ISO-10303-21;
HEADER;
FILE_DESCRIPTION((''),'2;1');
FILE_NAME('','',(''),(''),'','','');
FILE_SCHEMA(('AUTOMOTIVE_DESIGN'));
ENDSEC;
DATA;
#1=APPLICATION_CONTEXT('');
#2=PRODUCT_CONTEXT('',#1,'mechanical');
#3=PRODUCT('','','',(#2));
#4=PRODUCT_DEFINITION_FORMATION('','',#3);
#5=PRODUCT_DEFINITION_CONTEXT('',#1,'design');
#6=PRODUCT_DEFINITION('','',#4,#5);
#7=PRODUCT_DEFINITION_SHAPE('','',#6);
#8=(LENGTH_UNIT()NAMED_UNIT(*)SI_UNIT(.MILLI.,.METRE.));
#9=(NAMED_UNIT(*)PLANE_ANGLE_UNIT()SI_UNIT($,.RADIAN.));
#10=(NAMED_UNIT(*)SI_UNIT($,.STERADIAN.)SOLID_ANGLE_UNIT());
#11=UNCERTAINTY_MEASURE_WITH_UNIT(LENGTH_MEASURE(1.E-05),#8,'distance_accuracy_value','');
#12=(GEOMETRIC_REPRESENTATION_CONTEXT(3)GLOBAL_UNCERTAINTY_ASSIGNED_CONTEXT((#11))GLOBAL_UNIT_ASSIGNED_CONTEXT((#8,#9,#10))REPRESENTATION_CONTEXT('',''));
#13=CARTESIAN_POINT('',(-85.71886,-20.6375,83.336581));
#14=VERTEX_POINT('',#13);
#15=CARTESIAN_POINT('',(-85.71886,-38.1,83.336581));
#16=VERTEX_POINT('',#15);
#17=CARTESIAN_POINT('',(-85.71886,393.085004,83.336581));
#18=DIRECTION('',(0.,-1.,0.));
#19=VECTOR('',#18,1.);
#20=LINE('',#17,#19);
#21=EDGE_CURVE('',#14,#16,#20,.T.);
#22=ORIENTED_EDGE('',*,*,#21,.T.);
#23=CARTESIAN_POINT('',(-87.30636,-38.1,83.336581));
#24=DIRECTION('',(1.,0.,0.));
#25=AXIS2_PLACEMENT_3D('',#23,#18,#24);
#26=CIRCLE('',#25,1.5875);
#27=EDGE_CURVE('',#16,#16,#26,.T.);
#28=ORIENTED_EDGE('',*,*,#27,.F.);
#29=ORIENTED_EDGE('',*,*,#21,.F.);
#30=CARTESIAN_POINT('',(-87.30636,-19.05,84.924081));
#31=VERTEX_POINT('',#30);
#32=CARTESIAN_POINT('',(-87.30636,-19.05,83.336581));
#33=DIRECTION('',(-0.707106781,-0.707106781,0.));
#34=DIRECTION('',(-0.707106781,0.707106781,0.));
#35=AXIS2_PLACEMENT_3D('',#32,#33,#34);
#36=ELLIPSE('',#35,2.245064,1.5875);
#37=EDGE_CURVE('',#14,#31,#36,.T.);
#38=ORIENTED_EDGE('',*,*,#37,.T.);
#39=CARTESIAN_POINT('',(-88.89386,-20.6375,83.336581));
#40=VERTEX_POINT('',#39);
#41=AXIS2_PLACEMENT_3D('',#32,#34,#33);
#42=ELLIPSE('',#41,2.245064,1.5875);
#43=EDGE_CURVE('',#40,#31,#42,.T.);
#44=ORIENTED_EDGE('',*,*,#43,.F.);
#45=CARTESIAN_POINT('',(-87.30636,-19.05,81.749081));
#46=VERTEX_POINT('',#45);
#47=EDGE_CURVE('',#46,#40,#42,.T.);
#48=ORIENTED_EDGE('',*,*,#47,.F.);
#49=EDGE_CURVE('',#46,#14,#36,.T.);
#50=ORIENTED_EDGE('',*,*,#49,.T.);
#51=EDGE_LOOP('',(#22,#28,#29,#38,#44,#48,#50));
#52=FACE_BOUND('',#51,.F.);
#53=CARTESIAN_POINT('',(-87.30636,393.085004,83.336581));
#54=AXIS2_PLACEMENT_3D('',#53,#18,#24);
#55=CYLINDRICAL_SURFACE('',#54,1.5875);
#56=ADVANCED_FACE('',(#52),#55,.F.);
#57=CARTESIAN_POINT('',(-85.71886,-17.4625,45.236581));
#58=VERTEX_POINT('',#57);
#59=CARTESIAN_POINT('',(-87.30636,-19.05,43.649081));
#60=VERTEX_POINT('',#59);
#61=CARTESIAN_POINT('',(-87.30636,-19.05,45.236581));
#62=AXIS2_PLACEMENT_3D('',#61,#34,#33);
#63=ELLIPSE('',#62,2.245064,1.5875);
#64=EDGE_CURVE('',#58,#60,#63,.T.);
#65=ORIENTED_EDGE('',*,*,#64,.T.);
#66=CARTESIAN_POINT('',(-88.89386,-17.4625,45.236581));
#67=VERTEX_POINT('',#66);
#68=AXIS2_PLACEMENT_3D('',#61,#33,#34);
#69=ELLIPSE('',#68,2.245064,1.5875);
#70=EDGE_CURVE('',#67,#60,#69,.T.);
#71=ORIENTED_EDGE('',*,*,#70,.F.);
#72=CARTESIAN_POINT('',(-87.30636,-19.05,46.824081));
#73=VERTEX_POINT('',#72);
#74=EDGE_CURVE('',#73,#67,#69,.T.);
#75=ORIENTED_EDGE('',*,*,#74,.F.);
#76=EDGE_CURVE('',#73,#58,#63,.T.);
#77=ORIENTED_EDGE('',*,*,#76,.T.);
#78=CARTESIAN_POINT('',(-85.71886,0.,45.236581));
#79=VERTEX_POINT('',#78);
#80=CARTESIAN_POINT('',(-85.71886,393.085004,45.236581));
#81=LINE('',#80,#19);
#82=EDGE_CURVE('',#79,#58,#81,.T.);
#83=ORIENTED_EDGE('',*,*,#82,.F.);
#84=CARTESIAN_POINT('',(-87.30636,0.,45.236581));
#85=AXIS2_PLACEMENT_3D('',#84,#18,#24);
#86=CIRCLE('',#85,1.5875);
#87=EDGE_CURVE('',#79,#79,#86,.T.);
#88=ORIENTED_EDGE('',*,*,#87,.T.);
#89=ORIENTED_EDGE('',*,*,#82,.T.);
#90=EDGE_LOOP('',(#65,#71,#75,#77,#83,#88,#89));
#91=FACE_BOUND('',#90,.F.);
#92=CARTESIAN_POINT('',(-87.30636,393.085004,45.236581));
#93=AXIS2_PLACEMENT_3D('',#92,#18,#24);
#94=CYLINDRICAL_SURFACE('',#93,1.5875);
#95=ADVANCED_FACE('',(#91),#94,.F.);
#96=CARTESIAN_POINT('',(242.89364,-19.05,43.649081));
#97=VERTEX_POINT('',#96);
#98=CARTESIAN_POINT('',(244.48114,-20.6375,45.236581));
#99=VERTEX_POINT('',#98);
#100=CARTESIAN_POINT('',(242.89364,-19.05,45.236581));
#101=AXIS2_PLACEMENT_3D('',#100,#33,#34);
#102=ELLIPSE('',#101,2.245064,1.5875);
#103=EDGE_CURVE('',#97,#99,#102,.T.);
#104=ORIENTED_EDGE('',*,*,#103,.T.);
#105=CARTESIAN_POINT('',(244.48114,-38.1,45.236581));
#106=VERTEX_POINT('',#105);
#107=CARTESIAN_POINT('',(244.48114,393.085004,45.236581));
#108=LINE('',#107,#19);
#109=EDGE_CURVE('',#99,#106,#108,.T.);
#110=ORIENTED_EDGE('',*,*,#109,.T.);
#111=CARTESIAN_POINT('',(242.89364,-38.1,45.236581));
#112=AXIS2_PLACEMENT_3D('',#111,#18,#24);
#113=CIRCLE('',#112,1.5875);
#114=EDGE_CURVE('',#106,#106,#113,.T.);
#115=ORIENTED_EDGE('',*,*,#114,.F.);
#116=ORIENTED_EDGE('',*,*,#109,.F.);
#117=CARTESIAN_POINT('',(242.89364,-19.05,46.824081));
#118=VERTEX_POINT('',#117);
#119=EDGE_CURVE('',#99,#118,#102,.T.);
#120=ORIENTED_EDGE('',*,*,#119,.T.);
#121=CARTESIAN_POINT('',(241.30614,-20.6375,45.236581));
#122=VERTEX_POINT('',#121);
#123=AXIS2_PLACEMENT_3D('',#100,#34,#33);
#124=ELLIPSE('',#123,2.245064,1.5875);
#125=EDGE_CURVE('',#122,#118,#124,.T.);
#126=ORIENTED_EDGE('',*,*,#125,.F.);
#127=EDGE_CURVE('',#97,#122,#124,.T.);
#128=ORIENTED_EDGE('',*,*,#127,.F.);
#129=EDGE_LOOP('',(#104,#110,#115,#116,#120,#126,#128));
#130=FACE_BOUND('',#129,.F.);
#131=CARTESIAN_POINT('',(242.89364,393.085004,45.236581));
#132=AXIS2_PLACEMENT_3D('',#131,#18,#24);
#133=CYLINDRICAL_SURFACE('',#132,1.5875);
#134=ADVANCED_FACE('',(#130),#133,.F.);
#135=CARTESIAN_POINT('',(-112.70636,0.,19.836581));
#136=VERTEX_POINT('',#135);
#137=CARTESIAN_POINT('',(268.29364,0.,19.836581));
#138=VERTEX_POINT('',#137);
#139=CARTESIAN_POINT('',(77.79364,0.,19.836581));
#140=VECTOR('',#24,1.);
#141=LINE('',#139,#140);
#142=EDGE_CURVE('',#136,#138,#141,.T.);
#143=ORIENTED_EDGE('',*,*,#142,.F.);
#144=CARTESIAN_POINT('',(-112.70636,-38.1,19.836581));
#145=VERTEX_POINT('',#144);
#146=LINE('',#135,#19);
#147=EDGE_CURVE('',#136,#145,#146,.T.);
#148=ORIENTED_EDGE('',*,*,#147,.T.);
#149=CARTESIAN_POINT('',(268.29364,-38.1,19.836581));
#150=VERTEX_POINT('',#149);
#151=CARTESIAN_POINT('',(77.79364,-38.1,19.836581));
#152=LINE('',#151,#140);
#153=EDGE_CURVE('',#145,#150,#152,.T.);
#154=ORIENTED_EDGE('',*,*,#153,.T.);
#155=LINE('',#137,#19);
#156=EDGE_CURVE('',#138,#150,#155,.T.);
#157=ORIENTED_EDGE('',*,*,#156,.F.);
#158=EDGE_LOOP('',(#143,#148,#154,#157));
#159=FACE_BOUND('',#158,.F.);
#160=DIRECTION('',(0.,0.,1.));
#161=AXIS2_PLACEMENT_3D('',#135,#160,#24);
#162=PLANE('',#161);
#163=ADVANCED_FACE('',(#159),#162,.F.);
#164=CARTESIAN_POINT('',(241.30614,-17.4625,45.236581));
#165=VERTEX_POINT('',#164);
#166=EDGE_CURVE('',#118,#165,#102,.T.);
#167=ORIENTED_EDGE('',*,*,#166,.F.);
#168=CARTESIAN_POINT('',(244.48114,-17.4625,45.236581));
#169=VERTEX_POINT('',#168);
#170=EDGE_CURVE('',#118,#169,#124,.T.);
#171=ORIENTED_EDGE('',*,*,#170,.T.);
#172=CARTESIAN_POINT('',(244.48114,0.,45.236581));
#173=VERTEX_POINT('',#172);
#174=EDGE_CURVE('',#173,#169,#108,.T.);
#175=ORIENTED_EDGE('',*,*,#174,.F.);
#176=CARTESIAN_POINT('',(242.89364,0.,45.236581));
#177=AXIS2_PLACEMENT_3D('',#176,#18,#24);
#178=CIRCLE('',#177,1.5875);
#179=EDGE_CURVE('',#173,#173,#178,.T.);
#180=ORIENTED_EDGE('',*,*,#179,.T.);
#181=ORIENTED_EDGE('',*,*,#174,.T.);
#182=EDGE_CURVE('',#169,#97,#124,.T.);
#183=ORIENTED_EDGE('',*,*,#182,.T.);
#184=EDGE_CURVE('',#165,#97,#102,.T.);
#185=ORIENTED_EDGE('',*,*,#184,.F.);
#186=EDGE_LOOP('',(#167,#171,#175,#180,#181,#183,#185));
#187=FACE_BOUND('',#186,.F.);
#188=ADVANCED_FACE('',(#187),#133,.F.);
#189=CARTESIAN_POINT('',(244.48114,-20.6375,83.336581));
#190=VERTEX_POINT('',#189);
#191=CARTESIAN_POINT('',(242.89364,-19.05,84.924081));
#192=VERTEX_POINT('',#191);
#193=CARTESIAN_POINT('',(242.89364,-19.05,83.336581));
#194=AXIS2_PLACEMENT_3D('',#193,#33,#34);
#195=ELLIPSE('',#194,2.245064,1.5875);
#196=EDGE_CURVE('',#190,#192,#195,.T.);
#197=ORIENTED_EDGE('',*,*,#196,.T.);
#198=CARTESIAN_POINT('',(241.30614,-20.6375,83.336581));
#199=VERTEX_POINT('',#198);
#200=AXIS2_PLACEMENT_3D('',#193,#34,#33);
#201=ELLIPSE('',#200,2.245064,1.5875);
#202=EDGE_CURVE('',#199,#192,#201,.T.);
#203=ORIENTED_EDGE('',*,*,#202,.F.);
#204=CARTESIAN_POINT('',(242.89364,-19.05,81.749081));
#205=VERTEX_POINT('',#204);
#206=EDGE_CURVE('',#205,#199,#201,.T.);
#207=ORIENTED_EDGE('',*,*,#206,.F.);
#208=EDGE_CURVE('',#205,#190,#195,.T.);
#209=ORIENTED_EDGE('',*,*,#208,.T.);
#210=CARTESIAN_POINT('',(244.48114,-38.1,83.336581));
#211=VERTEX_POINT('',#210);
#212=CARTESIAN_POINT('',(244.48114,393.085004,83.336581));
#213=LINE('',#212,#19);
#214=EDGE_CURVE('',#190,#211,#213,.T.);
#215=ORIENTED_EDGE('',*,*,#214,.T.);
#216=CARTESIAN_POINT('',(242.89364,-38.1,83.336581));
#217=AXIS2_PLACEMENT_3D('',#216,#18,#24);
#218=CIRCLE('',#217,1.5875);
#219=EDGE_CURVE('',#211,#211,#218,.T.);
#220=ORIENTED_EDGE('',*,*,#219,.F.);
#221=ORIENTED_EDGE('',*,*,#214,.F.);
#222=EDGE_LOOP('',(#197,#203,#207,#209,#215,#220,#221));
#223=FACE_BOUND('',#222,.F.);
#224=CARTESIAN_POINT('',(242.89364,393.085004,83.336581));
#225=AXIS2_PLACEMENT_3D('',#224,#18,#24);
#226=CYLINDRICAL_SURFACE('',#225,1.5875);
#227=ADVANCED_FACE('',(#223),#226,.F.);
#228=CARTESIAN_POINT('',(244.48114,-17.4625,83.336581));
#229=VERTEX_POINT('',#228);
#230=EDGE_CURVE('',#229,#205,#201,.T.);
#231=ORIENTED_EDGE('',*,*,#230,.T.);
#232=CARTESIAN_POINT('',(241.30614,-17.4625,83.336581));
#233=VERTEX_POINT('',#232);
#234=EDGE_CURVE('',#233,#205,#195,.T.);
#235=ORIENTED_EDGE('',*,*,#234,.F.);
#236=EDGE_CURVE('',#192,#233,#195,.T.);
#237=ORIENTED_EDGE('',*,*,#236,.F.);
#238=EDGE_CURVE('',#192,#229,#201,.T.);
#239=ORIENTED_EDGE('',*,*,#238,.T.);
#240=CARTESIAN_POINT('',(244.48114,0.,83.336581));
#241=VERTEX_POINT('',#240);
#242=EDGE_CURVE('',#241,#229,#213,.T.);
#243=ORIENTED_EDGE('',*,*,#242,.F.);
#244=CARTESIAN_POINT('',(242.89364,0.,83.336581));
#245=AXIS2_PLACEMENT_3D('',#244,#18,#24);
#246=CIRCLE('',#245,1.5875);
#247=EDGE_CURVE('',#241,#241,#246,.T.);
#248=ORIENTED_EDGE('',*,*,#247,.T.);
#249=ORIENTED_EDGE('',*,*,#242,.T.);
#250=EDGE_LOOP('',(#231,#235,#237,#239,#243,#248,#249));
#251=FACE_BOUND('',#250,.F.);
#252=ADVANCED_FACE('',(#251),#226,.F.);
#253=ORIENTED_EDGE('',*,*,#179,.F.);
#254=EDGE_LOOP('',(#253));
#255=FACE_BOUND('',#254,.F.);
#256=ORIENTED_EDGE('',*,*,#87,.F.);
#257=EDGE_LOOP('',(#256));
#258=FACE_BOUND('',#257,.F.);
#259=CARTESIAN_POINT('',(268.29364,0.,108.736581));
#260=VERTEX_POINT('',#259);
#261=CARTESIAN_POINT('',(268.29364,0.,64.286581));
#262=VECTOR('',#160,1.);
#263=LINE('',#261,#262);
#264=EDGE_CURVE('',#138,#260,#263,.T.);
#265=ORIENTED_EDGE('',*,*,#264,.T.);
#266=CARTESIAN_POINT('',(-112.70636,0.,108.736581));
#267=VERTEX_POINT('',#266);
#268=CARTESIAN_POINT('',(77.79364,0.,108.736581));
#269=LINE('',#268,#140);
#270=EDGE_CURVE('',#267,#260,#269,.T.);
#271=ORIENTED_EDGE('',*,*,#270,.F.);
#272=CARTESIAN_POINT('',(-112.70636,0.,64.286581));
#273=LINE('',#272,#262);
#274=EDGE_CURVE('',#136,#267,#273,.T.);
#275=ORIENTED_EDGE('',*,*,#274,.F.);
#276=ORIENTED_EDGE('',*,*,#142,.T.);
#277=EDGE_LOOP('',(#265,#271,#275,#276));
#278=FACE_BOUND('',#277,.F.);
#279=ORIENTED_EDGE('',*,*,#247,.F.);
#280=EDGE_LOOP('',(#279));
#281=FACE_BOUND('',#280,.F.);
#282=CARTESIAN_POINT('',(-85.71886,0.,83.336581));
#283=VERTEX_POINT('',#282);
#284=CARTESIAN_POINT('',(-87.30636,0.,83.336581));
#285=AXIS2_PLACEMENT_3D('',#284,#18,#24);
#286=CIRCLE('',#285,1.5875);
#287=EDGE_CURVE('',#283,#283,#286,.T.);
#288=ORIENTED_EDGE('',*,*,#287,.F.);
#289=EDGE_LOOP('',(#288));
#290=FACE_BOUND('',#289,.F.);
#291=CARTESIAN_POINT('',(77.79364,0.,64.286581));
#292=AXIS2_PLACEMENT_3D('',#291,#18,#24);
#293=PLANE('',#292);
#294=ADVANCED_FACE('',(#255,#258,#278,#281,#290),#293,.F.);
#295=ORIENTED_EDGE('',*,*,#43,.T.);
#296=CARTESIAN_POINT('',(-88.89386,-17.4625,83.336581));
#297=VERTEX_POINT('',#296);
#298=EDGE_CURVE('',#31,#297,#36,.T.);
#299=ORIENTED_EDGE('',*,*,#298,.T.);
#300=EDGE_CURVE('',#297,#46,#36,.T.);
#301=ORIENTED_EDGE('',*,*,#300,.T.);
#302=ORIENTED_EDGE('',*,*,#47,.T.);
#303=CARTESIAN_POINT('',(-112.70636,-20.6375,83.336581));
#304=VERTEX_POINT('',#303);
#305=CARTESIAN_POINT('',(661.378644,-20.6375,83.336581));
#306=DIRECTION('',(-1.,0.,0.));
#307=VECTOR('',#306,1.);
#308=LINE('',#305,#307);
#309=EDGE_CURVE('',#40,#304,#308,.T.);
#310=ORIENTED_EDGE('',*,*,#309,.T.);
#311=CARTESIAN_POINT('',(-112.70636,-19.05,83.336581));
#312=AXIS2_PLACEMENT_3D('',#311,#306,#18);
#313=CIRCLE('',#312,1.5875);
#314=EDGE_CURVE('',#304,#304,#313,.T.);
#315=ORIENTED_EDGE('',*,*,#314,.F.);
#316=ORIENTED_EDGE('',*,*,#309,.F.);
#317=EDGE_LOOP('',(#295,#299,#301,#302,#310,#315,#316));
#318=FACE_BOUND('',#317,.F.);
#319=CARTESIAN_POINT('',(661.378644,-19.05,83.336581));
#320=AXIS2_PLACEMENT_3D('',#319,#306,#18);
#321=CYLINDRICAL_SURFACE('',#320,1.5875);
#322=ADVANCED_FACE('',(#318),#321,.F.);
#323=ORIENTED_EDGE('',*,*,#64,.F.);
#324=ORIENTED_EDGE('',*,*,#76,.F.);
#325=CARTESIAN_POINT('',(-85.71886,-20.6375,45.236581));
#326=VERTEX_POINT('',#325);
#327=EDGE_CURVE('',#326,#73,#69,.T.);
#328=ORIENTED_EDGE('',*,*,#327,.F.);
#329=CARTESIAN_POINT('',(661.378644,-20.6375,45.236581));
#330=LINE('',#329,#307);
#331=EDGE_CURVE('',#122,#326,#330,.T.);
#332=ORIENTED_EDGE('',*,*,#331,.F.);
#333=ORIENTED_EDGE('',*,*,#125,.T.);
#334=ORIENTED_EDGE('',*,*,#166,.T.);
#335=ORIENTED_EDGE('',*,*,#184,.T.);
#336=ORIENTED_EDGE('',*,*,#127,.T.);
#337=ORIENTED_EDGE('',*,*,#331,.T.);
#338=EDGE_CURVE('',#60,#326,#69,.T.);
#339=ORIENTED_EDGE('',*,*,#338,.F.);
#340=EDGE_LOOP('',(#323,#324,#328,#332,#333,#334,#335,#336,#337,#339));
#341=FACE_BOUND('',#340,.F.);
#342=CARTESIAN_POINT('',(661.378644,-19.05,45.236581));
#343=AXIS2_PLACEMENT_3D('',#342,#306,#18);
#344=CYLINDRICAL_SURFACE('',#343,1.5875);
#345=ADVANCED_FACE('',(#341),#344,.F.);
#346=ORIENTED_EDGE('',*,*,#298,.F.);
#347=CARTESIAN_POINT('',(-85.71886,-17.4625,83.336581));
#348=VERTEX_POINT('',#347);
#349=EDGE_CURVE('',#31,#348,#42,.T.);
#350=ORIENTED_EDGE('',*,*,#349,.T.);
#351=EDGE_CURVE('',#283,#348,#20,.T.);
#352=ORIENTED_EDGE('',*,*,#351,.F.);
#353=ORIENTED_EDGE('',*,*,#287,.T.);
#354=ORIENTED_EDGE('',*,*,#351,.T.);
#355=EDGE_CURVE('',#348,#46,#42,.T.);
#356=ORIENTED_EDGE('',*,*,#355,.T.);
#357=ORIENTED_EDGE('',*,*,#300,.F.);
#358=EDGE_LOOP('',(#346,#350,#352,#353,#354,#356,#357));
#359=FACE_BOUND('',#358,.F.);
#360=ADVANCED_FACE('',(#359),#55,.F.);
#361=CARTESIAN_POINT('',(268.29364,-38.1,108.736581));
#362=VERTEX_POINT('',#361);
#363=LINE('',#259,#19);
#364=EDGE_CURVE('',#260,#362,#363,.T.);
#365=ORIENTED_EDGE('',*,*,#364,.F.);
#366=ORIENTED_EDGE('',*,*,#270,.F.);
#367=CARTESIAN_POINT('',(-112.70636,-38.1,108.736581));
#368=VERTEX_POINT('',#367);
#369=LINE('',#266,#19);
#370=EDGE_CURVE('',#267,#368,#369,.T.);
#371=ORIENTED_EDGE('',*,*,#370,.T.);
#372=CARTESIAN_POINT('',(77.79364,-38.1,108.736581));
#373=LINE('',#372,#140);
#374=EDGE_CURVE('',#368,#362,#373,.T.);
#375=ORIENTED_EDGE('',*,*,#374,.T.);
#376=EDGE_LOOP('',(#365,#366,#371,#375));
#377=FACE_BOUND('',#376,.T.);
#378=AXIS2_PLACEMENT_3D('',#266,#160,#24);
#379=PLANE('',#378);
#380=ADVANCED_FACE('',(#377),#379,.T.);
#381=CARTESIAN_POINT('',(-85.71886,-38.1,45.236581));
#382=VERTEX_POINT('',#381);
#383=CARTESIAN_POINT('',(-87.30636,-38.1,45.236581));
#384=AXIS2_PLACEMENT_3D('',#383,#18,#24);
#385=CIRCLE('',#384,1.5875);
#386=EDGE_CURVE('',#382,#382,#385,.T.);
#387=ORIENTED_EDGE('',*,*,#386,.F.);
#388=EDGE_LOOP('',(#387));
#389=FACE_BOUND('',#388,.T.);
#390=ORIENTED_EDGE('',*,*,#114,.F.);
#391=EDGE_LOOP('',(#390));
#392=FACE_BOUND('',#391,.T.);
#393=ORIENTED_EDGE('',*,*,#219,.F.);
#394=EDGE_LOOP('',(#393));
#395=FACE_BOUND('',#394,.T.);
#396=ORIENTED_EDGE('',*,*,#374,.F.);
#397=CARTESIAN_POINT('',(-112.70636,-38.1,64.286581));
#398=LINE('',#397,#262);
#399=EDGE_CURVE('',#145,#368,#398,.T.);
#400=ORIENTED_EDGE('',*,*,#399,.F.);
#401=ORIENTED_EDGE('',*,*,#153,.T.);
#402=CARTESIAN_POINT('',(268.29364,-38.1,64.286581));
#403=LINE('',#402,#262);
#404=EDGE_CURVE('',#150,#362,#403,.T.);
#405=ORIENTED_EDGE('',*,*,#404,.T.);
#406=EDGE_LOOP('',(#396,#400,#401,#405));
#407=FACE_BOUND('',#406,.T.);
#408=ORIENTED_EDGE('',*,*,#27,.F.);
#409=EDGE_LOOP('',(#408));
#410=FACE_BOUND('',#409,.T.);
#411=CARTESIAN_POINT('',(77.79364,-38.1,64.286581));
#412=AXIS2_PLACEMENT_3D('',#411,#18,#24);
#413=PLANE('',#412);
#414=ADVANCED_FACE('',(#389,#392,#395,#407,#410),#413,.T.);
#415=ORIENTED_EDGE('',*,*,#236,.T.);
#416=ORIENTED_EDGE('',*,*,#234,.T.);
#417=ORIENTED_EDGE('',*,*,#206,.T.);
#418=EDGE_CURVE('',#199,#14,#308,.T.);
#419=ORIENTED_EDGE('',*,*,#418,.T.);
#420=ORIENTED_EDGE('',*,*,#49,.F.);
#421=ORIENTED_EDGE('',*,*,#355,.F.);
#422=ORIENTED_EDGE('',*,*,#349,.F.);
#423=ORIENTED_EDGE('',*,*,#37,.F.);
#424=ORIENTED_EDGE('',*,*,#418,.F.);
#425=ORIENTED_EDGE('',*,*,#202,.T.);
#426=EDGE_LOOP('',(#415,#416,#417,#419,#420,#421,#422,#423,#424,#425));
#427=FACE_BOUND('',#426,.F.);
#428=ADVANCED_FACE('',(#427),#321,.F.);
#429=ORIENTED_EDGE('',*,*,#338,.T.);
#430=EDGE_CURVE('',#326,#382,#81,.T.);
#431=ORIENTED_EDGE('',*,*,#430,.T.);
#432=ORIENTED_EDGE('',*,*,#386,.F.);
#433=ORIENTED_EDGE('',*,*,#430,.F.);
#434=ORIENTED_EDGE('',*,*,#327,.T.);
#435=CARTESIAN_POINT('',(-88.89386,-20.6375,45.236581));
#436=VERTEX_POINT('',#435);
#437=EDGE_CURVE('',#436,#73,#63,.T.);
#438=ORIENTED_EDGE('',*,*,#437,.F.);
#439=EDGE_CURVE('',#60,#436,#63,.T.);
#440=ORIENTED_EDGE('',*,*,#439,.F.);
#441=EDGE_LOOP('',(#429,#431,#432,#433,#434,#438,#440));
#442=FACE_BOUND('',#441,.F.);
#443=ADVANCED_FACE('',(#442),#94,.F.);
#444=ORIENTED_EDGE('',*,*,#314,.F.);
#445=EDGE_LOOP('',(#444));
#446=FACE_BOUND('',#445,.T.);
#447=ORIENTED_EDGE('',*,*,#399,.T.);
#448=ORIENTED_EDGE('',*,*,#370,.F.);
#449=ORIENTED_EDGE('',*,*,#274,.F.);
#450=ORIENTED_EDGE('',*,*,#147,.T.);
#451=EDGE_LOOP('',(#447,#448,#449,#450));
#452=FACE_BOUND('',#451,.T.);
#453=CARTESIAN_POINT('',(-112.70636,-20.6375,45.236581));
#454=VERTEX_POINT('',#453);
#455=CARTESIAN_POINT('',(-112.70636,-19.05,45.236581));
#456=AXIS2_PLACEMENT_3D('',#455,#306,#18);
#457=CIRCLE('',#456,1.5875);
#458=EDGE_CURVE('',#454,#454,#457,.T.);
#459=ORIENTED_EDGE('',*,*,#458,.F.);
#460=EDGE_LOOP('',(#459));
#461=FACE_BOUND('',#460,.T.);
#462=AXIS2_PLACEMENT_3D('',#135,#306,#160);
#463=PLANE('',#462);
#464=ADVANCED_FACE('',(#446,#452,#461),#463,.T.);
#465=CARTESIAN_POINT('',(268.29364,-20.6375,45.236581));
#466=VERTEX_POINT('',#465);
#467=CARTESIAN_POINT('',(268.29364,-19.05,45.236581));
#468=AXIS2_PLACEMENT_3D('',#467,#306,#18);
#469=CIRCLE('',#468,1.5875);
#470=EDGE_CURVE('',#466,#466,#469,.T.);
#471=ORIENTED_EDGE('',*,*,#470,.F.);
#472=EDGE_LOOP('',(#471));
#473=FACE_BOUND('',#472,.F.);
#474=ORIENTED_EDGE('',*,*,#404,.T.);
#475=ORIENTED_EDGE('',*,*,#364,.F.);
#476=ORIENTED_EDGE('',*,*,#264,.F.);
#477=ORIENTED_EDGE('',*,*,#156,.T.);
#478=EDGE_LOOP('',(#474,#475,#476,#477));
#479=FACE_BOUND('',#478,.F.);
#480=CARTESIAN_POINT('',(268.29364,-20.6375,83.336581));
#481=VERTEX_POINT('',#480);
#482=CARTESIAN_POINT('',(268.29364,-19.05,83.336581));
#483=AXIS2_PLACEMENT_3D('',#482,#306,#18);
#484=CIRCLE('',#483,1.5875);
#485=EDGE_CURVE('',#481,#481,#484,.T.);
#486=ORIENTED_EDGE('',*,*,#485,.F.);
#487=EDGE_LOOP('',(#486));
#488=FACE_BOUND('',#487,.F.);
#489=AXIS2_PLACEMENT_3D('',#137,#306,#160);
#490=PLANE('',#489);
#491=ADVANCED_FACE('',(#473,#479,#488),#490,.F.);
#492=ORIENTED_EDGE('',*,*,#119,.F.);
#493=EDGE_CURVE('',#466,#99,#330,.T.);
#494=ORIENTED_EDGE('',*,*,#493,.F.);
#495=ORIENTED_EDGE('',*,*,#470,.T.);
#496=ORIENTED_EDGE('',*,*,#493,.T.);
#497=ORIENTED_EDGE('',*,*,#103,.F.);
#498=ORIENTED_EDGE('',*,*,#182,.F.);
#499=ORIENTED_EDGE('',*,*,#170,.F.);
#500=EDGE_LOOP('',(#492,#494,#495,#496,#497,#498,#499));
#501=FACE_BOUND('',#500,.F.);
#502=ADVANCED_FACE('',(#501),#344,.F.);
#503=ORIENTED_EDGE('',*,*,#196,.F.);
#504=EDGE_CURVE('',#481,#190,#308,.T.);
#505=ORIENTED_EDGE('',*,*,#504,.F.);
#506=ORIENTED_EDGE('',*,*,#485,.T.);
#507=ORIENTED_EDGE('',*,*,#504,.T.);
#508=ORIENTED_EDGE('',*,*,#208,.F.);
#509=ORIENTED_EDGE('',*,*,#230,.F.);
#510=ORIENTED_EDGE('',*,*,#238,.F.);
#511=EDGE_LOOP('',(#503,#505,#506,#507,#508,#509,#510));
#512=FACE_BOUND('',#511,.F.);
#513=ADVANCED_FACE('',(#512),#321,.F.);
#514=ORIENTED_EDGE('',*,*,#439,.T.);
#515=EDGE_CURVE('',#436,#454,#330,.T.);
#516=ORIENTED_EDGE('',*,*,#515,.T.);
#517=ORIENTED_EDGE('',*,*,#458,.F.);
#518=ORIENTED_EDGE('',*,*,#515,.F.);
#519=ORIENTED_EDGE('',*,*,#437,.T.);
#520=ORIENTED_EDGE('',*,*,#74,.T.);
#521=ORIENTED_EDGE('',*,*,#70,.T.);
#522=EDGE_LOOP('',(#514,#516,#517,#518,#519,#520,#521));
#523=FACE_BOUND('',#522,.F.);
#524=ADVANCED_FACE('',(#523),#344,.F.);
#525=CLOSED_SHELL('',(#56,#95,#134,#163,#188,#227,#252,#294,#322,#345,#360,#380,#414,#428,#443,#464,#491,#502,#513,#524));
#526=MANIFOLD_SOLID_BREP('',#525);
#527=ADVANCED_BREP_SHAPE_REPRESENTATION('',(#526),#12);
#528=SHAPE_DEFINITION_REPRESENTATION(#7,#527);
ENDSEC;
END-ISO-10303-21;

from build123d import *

# Parameters (mm, degrees)
F0_W     = 381
F0_H     = 88.9
F1_DEPTH = 38.1
F3_D     = 3.175
F5_D     = 3.175


with BuildPart() as f1:
    # F0 (on Front) → F1 (new body)
    with BuildSketch(Plane.XZ):
        with Locations((77.79364, 64.286581)):
            Rectangle(F0_W, F0_H)
    extrude(amount=F1_DEPTH)

    # F3 (through all)
    with Locations(Plane.YZ.offset(268.29364)):
        with Locations((-19.05, 83.336581), (-19.05, 45.236581)):
            Hole(F3_D / 2)

    # F5 (through all)
    with Locations(Plane(origin=(0, 0, 0), x_dir=(-1, 0, 0), z_dir=(0, 1, 0))):
        with Locations((-242.89364, 83.336581), (-242.89364, 45.236581), (87.30636, 83.336581), (87.30636, 45.236581)):
            Hole(F5_D / 2)


solid = f1.part
